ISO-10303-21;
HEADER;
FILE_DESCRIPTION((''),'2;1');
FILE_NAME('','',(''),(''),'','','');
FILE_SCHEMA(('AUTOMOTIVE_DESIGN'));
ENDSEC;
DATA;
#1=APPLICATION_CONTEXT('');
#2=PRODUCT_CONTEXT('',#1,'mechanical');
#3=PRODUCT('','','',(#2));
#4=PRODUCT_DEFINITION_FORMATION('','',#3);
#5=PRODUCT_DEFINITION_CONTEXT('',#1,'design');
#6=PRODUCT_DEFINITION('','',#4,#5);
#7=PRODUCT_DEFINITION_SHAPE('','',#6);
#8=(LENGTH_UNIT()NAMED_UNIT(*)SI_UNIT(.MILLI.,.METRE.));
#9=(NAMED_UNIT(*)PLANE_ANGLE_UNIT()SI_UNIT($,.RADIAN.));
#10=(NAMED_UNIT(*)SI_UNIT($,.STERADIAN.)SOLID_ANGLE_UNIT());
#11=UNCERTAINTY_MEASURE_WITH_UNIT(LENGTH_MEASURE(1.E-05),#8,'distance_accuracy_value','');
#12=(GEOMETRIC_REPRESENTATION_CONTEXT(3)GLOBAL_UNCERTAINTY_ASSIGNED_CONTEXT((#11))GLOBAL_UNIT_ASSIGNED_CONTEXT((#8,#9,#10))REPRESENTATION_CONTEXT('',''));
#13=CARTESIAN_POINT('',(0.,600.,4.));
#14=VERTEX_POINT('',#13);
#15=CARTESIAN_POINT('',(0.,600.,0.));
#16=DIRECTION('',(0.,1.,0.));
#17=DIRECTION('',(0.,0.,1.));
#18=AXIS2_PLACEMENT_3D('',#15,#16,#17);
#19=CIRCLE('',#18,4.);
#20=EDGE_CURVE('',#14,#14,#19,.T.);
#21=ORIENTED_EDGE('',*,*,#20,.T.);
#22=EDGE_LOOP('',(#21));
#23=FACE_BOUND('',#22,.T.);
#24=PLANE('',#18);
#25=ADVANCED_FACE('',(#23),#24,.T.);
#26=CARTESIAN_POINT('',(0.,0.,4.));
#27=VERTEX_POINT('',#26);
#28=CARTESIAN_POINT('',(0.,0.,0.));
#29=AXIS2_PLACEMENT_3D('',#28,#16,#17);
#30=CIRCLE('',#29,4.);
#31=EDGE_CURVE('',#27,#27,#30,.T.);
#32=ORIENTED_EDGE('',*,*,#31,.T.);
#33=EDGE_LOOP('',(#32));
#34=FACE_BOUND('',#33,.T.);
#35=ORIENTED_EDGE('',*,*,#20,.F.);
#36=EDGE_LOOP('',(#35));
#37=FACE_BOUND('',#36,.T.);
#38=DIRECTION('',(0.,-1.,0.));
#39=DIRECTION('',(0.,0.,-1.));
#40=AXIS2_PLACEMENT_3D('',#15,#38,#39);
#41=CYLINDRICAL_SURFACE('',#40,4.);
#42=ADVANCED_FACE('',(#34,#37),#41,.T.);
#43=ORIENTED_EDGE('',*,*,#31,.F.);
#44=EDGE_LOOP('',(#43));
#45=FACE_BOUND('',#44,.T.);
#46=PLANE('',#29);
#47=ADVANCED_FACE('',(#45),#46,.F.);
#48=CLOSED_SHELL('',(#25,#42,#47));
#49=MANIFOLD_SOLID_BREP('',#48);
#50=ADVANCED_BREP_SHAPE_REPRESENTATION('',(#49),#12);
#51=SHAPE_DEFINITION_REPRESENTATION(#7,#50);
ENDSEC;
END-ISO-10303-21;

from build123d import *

# Parameters (mm, degrees)
SKETCH1_R           = 4
BOSS_EXTRUDE1_DEPTH = 600


with BuildPart() as part:
    # Sketch1 → Boss-Extrude1 (new body)
    with BuildSketch(Plane(origin=(0, 0, 0), x_dir=(1, 0, 0), z_dir=(0, 1, 0))):
        Circle(SKETCH1_R)
    extrude(amount=BOSS_EXTRUDE1_DEPTH)


solid = part.part
